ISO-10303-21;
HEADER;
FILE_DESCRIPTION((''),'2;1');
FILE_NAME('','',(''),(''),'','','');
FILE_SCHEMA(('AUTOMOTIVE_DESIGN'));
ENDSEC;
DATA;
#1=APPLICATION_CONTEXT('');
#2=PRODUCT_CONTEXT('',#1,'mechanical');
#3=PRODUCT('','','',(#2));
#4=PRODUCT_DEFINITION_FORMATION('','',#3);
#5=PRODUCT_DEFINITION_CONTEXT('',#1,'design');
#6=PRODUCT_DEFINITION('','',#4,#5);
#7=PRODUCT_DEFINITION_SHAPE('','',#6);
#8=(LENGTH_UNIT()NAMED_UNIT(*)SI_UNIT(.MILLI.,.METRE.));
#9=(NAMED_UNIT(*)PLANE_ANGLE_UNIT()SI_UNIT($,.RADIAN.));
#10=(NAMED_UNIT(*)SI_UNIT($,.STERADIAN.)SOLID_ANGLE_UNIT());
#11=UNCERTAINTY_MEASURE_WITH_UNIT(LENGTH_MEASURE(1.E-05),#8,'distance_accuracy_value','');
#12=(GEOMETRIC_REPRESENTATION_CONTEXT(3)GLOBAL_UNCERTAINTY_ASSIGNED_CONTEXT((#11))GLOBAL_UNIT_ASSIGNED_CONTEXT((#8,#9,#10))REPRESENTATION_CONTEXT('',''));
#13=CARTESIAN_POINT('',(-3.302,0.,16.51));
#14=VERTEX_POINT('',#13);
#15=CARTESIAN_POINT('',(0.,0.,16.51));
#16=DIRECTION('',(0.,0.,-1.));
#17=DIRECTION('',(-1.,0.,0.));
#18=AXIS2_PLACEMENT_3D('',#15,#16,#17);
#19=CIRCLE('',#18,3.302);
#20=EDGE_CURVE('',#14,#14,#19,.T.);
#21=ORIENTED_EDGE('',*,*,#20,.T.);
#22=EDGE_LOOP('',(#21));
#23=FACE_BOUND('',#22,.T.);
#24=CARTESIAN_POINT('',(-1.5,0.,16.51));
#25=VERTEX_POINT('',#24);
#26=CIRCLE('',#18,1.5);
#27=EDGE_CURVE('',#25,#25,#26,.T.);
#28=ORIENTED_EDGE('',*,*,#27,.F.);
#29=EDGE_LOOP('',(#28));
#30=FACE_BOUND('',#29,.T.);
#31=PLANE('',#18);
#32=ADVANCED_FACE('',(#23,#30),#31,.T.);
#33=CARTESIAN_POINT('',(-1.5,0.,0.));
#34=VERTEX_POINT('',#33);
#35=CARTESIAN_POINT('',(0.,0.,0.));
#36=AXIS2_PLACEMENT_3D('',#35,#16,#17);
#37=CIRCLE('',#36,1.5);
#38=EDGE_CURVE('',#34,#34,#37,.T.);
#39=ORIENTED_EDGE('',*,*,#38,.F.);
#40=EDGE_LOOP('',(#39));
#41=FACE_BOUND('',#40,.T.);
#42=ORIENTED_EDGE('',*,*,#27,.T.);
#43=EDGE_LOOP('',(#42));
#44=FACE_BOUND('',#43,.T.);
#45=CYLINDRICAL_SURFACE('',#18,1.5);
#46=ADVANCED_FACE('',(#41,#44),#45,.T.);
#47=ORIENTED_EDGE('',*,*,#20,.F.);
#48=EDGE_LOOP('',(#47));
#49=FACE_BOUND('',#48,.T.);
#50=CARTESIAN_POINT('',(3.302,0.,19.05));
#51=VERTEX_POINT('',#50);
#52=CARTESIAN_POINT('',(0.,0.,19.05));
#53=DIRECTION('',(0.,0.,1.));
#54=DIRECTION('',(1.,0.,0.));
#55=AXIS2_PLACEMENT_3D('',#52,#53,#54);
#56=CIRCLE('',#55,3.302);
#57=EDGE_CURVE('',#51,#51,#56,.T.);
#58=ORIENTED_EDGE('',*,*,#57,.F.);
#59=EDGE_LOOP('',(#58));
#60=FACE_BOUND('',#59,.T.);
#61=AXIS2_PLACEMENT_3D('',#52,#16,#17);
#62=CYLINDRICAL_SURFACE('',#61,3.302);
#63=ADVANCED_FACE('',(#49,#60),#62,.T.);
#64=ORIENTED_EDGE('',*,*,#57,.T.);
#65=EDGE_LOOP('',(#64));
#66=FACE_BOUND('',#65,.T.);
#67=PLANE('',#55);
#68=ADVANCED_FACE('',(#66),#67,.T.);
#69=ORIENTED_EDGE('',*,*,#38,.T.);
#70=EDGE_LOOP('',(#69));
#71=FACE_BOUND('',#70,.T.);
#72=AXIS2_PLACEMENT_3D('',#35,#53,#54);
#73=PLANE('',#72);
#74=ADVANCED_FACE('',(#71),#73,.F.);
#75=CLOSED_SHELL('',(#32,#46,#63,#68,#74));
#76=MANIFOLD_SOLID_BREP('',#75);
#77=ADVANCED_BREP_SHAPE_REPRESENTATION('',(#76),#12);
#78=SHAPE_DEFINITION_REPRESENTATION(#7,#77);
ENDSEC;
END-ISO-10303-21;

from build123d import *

# Parameters (mm, degrees)
SKETCH1_R         = 3.302
EXTRUDE1_DEPTH    = 19.05
SKETCH2_OUTSIDE_W = 12.848
SKETCH2_OUTSIDE_H = 12.848
SKETCH2_OUTSIDE_R = 1.5
EXTRUDE2_DEPTH    = 16.51


with BuildPart() as part:
    # Sketch1 → Extrude1 (new body)
    with BuildSketch(Plane.XY):
        Circle(SKETCH1_R)
    extrude(amount=EXTRUDE1_DEPTH)

    # Sketch2 outside → Extrude2 (cut)
    with BuildSketch(Plane(origin=(0, 0, 0), x_dir=(-1, 0, 0), z_dir=(0, 0, -1))):
        Rectangle(SKETCH2_OUTSIDE_W, SKETCH2_OUTSIDE_H)
        Circle(SKETCH2_OUTSIDE_R, mode=Mode.SUBTRACT)
    extrude(amount=-EXTRUDE2_DEPTH, mode=Mode.SUBTRACT)


solid = part.part
